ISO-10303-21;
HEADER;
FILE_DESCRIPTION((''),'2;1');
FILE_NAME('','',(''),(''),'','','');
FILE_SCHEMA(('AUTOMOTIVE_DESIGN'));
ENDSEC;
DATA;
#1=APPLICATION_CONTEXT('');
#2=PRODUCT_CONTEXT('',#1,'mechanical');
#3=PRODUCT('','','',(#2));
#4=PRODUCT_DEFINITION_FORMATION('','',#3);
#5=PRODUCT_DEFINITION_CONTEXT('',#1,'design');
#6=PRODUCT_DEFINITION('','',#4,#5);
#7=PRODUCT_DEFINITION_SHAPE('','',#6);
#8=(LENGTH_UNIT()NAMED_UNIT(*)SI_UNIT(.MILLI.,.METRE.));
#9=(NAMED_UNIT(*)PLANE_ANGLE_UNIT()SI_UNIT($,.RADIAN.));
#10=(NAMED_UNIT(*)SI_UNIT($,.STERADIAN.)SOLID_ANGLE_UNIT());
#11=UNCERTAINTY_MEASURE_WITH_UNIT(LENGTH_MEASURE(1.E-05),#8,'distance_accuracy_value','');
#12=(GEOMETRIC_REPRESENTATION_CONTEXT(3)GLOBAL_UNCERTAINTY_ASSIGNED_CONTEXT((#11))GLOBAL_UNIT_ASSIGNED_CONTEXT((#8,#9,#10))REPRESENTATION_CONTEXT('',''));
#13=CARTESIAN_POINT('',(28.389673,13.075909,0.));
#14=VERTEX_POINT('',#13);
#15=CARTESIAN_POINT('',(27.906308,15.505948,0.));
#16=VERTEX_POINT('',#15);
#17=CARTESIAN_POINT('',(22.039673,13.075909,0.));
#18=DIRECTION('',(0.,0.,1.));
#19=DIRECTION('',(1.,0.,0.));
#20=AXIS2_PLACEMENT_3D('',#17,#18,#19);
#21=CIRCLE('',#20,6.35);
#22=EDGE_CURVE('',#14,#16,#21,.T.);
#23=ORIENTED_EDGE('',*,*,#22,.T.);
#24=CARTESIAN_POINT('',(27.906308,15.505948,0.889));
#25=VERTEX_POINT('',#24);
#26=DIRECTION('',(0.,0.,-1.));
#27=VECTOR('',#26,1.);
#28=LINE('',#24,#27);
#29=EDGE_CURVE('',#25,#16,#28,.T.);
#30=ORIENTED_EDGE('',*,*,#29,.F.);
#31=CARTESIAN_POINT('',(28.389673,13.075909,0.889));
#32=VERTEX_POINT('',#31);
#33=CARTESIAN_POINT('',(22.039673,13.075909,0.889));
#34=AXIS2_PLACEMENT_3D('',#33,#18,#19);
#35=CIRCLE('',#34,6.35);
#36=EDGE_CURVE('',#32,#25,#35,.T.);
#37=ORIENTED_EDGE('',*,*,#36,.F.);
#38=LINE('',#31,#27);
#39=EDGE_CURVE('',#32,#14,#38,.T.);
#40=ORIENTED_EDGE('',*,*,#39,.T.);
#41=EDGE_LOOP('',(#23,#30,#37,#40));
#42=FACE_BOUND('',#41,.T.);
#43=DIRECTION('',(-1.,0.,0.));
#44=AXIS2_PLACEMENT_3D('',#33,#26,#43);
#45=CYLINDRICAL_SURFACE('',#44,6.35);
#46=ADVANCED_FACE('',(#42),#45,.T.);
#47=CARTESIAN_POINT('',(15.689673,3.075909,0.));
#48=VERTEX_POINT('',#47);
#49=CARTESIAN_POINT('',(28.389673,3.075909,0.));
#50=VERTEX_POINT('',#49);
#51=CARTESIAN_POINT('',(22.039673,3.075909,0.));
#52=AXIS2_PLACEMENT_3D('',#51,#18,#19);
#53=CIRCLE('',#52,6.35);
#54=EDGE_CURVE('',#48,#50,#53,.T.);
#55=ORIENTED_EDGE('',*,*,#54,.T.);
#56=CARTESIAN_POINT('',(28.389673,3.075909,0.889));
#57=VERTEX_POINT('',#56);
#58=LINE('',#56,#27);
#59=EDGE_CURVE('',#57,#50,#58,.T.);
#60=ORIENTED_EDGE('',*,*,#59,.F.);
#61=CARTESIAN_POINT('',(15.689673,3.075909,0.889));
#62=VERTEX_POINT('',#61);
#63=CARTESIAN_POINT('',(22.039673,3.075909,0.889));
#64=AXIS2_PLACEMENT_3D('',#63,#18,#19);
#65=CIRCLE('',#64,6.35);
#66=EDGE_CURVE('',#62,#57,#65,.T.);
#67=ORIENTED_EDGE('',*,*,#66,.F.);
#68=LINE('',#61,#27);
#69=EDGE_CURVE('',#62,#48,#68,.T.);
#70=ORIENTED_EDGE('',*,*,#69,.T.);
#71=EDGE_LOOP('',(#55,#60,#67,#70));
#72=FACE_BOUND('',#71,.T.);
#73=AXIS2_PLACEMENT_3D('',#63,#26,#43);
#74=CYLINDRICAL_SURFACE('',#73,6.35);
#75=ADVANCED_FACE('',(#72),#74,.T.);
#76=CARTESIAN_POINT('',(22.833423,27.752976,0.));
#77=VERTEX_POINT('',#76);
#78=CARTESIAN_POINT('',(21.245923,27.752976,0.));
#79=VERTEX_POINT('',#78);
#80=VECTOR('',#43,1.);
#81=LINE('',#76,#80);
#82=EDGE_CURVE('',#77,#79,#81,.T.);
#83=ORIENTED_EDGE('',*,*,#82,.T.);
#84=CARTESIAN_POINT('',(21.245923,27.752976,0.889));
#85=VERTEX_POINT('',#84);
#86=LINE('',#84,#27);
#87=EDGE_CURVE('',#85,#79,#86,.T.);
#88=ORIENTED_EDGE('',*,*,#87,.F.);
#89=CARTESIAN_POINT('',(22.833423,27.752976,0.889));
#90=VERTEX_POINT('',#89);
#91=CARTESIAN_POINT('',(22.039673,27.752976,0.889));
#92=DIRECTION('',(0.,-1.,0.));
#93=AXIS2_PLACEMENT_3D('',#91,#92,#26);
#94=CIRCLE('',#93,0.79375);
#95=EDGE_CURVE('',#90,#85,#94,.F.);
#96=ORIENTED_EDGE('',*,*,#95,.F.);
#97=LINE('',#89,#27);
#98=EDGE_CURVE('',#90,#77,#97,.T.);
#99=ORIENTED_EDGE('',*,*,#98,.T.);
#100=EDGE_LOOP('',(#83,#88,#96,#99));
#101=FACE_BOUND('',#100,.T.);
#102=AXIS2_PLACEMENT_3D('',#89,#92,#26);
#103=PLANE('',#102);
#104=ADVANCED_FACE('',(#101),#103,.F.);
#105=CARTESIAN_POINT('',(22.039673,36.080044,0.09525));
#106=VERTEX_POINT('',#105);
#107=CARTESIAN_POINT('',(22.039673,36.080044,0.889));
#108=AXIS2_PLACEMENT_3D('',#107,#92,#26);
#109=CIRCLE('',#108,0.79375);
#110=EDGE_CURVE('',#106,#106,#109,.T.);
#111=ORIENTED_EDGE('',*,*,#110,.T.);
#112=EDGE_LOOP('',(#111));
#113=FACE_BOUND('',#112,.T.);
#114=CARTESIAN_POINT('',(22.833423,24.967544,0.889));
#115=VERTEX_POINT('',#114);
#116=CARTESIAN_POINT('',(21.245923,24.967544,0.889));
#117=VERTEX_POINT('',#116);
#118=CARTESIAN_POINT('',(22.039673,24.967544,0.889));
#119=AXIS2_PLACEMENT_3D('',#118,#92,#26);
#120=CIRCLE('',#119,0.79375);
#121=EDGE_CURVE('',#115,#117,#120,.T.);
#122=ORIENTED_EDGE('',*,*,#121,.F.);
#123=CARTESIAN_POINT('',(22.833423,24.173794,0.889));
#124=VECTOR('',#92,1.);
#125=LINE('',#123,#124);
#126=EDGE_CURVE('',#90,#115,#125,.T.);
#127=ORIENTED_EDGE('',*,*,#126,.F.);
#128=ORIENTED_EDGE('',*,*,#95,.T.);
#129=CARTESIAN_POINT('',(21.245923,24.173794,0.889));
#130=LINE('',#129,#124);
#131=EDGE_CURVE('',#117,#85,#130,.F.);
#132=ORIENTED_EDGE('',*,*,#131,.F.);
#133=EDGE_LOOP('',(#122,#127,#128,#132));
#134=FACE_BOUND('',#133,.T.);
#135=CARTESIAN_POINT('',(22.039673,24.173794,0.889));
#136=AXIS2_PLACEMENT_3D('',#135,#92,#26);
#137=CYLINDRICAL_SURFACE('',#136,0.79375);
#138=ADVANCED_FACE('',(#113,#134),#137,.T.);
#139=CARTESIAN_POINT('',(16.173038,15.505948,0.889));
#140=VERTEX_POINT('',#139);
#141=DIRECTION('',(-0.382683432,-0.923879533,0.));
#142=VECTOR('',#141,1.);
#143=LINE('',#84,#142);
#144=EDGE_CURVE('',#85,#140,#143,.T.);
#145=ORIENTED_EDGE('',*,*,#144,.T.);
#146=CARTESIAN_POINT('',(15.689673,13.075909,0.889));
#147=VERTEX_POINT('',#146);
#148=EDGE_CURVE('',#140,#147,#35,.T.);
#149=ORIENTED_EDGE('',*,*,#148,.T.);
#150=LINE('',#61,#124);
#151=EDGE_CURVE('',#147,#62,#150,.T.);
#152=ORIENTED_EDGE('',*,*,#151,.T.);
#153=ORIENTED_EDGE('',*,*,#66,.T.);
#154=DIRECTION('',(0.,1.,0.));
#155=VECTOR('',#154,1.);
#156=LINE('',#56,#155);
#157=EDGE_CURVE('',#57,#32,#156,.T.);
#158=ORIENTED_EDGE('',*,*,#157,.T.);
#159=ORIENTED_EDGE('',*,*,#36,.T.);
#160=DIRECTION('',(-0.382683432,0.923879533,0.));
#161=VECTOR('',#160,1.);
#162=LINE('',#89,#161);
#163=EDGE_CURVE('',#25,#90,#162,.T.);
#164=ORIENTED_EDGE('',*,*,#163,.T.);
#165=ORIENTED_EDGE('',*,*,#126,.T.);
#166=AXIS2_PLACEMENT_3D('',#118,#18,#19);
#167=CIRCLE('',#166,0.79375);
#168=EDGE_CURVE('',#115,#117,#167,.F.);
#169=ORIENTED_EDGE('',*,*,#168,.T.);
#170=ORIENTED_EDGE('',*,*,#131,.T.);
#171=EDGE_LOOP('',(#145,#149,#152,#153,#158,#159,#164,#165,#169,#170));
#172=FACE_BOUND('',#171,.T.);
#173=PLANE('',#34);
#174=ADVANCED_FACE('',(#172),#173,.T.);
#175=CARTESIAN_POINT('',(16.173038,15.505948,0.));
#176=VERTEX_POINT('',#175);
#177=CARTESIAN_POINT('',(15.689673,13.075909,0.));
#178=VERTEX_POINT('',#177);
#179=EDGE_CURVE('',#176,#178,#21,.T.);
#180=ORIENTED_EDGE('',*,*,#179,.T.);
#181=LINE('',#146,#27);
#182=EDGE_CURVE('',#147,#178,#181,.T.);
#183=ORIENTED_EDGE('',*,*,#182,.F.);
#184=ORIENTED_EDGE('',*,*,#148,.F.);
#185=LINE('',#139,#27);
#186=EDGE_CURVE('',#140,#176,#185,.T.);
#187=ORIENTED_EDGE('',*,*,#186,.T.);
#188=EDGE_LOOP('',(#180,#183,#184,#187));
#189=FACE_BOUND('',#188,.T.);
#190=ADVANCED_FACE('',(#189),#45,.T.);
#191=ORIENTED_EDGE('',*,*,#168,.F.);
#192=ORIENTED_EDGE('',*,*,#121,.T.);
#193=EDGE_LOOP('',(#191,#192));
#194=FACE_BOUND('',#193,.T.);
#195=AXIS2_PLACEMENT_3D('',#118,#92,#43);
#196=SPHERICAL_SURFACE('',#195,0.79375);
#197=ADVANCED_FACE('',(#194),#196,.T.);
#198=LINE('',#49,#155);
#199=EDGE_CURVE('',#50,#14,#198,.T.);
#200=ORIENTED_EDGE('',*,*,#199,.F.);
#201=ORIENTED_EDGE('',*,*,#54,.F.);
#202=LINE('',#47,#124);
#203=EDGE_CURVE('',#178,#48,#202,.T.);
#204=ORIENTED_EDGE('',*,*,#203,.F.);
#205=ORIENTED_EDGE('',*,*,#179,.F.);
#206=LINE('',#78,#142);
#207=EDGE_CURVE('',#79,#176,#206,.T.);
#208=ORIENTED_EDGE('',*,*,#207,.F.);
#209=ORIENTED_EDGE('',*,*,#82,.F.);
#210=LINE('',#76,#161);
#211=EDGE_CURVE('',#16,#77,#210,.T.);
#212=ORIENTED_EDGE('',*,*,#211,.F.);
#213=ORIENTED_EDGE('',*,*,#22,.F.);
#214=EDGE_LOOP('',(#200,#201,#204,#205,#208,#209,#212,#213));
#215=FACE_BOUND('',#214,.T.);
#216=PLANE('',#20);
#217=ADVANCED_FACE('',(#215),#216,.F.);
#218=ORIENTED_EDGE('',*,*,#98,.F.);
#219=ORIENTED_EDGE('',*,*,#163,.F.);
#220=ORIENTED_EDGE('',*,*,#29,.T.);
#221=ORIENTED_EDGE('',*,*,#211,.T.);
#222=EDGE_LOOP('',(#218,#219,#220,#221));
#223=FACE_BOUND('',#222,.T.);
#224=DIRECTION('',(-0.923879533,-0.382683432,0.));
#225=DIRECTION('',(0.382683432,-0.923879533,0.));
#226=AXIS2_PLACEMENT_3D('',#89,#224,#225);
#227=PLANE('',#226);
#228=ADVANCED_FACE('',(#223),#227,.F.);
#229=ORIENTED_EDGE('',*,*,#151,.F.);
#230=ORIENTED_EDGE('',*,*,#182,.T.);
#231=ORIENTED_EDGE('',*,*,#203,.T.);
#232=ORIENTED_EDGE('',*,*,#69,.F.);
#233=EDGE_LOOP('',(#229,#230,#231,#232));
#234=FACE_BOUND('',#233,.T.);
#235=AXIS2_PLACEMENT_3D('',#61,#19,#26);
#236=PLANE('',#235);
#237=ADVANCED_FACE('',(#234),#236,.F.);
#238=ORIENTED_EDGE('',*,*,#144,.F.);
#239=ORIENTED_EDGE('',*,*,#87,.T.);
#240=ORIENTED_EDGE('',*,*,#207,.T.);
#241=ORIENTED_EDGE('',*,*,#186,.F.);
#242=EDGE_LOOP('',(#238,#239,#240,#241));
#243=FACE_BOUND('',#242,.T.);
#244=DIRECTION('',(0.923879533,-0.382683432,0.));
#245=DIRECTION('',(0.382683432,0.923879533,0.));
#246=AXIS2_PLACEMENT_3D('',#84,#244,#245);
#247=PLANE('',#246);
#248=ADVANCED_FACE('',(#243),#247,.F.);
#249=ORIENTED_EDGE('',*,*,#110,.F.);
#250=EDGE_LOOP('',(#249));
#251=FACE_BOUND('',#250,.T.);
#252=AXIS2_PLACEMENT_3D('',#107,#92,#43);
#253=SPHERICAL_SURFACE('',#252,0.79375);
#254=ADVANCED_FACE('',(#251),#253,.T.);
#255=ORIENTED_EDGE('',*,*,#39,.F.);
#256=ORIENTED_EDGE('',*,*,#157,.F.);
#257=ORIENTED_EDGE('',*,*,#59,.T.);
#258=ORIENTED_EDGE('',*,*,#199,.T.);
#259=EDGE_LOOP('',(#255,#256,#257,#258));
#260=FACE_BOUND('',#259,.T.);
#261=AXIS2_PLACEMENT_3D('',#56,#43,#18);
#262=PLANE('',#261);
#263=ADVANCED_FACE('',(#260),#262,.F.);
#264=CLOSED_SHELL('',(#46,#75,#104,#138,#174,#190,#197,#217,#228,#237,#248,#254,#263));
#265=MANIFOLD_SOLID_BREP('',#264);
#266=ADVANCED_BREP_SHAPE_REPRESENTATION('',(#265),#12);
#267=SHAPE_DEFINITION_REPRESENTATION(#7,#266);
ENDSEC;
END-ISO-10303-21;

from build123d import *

# Parameters (mm, degrees)
BOSS_EXTRUDE1_DEPTH = 0.889


with BuildPart() as part:
    # Sketch1 → Boss-Extrude1 (new body)
    with BuildSketch(Plane.XY):
        with BuildLine():
            Line((28.389672555, 3.075908507), (28.389672555, 13.075908507))
            ThreePointArc((28.389672555, 13.075908507), (28.267659086, 14.314732052), (27.906307587, 15.505948303))
            Line((27.906307587, 15.505948303), (22.833422555, 27.752976146))
            Line((22.833422555, 27.752976146), (21.245922555, 27.752976146))
            Line((21.245922555, 27.752976146), (16.173037524, 15.505948303))
            ThreePointArc((16.173037524, 15.505948303), (15.811686025, 14.314732052), (15.689672555, 13.075908507))
            Line((15.689672555, 13.075908507), (15.689672555, 3.075908507))
            ThreePointArc((15.689672555, 3.075908507), (22.039672555, -3.274091493), (28.389672555, 3.075908507))
        make_face()
    extrude(amount=BOSS_EXTRUDE1_DEPTH)

    # Sketch2 → Revolve1 (revolve)
    with BuildSketch(Plane.XY.offset(0.889), mode=Mode.PRIVATE) as revolve1_sk:
        with BuildLine():
            Line((22.039672555, 24.173793785), (22.039672555, 36.873793785))
            ThreePointArc((22.039672555, 36.873793785), (21.478406548, 36.641309793), (21.245922555, 36.080043785))
            Line((21.245922555, 36.080043785), (21.245922555, 24.967543785))
            ThreePointArc((21.245922555, 24.967543785), (21.478406548, 24.406277778), (22.039672555, 24.173793785))
        make_face()
    revolve(revolve1_sk.sketch.rotate(Axis((22.039672555, 24.173793785, 0.889), (0, 1, 0)), 270), axis=Axis((22.039672555, 24.173793785, 0.889), (0, 1, 0)))


solid = part.part
